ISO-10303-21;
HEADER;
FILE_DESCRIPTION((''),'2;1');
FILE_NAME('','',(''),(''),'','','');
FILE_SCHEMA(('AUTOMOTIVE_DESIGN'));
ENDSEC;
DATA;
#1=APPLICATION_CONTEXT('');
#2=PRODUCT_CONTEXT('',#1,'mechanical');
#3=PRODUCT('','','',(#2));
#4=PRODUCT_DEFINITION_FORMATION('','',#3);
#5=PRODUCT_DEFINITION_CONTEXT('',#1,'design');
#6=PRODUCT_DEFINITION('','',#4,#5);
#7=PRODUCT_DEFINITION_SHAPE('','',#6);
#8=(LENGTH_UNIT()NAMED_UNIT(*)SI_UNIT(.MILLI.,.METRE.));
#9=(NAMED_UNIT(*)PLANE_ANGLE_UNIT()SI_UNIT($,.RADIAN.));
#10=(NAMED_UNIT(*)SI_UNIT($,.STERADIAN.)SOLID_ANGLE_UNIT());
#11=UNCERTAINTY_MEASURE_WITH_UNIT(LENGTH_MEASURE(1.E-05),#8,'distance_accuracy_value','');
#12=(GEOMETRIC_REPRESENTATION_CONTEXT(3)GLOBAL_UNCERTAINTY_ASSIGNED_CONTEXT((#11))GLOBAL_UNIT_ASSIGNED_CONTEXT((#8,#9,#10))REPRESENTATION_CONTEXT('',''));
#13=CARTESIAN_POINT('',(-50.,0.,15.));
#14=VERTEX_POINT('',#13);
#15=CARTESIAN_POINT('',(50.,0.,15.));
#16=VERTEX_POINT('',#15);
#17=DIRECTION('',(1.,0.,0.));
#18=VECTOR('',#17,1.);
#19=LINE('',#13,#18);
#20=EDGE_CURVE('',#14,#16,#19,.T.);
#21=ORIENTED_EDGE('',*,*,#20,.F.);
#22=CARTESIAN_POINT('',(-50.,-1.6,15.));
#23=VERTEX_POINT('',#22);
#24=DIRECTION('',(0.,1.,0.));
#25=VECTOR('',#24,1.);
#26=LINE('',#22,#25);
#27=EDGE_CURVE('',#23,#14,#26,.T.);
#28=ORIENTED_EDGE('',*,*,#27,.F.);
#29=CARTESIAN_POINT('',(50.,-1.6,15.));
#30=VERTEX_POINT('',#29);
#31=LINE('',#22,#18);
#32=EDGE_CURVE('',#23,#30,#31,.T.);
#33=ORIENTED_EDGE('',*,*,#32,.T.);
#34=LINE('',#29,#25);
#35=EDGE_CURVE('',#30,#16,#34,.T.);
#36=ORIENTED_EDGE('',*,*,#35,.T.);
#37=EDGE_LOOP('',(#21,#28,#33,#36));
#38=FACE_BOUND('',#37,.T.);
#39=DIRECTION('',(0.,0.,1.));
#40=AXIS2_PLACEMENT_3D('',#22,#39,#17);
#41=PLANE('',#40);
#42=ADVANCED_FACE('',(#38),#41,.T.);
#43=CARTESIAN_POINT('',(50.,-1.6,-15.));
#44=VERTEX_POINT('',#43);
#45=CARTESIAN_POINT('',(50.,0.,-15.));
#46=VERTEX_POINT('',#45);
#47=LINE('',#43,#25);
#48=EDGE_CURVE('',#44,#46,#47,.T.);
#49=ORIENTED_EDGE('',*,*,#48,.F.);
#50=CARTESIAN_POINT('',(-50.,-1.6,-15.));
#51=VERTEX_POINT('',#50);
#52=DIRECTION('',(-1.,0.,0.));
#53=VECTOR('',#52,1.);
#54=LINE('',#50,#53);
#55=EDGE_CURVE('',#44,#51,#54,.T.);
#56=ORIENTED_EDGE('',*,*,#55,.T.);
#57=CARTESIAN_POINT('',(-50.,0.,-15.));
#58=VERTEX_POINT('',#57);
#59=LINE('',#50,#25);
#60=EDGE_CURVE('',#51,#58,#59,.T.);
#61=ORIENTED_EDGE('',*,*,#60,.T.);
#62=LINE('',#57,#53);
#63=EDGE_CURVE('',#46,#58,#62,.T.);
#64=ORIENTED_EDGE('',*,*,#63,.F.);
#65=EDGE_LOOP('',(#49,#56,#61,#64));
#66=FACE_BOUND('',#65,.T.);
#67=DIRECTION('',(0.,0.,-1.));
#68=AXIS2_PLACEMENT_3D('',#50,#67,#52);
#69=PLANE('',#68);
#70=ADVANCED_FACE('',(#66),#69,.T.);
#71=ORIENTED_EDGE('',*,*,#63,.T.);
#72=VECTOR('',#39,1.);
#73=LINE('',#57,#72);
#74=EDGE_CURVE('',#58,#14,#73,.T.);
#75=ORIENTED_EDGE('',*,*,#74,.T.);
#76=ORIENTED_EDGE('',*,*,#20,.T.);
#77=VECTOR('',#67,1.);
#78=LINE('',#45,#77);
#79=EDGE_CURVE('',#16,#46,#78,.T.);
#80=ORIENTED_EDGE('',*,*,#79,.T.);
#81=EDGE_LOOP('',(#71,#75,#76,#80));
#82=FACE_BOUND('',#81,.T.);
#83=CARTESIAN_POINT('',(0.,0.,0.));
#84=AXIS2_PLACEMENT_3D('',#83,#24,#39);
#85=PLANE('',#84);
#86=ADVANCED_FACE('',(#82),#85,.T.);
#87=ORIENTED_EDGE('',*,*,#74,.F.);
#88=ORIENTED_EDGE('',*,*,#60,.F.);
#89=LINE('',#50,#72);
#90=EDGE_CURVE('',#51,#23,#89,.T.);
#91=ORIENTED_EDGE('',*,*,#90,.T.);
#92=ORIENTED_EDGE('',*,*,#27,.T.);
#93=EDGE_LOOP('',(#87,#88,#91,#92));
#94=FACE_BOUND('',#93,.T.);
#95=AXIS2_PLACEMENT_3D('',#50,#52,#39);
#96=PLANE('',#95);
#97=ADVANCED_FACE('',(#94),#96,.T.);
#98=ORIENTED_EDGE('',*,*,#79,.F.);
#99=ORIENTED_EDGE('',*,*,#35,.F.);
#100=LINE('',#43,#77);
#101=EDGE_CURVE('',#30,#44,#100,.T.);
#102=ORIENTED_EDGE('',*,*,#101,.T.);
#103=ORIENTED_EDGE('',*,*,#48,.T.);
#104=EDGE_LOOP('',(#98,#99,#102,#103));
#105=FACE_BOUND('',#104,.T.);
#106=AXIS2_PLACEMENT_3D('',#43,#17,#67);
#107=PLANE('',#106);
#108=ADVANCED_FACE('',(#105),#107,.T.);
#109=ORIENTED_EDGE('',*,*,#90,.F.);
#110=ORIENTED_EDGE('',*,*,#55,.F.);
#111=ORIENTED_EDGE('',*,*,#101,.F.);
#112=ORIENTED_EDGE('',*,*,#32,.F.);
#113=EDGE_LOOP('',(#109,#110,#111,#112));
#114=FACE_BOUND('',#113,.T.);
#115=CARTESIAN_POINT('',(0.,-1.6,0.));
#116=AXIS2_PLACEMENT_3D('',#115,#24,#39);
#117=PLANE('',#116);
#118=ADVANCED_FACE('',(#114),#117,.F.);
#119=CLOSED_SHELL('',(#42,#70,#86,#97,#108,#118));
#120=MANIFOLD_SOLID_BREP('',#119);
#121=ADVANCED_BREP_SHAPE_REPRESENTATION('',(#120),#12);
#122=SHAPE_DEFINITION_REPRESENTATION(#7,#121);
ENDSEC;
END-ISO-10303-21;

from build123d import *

# Parameters (mm, degrees)
SKETCH1_W           = 100
SKETCH1_H           = 30
BOSS_EXTRUDE1_DEPTH = 1.6


with BuildPart() as part:
    # Sketch1 → Boss-Extrude1 (new body)
    with BuildSketch(Plane(origin=(0, 0, 0), x_dir=(1, 0, 0), z_dir=(0, 1, 0))):
        Rectangle(SKETCH1_W, SKETCH1_H)
    extrude(amount=-BOSS_EXTRUDE1_DEPTH)


solid = part.part
